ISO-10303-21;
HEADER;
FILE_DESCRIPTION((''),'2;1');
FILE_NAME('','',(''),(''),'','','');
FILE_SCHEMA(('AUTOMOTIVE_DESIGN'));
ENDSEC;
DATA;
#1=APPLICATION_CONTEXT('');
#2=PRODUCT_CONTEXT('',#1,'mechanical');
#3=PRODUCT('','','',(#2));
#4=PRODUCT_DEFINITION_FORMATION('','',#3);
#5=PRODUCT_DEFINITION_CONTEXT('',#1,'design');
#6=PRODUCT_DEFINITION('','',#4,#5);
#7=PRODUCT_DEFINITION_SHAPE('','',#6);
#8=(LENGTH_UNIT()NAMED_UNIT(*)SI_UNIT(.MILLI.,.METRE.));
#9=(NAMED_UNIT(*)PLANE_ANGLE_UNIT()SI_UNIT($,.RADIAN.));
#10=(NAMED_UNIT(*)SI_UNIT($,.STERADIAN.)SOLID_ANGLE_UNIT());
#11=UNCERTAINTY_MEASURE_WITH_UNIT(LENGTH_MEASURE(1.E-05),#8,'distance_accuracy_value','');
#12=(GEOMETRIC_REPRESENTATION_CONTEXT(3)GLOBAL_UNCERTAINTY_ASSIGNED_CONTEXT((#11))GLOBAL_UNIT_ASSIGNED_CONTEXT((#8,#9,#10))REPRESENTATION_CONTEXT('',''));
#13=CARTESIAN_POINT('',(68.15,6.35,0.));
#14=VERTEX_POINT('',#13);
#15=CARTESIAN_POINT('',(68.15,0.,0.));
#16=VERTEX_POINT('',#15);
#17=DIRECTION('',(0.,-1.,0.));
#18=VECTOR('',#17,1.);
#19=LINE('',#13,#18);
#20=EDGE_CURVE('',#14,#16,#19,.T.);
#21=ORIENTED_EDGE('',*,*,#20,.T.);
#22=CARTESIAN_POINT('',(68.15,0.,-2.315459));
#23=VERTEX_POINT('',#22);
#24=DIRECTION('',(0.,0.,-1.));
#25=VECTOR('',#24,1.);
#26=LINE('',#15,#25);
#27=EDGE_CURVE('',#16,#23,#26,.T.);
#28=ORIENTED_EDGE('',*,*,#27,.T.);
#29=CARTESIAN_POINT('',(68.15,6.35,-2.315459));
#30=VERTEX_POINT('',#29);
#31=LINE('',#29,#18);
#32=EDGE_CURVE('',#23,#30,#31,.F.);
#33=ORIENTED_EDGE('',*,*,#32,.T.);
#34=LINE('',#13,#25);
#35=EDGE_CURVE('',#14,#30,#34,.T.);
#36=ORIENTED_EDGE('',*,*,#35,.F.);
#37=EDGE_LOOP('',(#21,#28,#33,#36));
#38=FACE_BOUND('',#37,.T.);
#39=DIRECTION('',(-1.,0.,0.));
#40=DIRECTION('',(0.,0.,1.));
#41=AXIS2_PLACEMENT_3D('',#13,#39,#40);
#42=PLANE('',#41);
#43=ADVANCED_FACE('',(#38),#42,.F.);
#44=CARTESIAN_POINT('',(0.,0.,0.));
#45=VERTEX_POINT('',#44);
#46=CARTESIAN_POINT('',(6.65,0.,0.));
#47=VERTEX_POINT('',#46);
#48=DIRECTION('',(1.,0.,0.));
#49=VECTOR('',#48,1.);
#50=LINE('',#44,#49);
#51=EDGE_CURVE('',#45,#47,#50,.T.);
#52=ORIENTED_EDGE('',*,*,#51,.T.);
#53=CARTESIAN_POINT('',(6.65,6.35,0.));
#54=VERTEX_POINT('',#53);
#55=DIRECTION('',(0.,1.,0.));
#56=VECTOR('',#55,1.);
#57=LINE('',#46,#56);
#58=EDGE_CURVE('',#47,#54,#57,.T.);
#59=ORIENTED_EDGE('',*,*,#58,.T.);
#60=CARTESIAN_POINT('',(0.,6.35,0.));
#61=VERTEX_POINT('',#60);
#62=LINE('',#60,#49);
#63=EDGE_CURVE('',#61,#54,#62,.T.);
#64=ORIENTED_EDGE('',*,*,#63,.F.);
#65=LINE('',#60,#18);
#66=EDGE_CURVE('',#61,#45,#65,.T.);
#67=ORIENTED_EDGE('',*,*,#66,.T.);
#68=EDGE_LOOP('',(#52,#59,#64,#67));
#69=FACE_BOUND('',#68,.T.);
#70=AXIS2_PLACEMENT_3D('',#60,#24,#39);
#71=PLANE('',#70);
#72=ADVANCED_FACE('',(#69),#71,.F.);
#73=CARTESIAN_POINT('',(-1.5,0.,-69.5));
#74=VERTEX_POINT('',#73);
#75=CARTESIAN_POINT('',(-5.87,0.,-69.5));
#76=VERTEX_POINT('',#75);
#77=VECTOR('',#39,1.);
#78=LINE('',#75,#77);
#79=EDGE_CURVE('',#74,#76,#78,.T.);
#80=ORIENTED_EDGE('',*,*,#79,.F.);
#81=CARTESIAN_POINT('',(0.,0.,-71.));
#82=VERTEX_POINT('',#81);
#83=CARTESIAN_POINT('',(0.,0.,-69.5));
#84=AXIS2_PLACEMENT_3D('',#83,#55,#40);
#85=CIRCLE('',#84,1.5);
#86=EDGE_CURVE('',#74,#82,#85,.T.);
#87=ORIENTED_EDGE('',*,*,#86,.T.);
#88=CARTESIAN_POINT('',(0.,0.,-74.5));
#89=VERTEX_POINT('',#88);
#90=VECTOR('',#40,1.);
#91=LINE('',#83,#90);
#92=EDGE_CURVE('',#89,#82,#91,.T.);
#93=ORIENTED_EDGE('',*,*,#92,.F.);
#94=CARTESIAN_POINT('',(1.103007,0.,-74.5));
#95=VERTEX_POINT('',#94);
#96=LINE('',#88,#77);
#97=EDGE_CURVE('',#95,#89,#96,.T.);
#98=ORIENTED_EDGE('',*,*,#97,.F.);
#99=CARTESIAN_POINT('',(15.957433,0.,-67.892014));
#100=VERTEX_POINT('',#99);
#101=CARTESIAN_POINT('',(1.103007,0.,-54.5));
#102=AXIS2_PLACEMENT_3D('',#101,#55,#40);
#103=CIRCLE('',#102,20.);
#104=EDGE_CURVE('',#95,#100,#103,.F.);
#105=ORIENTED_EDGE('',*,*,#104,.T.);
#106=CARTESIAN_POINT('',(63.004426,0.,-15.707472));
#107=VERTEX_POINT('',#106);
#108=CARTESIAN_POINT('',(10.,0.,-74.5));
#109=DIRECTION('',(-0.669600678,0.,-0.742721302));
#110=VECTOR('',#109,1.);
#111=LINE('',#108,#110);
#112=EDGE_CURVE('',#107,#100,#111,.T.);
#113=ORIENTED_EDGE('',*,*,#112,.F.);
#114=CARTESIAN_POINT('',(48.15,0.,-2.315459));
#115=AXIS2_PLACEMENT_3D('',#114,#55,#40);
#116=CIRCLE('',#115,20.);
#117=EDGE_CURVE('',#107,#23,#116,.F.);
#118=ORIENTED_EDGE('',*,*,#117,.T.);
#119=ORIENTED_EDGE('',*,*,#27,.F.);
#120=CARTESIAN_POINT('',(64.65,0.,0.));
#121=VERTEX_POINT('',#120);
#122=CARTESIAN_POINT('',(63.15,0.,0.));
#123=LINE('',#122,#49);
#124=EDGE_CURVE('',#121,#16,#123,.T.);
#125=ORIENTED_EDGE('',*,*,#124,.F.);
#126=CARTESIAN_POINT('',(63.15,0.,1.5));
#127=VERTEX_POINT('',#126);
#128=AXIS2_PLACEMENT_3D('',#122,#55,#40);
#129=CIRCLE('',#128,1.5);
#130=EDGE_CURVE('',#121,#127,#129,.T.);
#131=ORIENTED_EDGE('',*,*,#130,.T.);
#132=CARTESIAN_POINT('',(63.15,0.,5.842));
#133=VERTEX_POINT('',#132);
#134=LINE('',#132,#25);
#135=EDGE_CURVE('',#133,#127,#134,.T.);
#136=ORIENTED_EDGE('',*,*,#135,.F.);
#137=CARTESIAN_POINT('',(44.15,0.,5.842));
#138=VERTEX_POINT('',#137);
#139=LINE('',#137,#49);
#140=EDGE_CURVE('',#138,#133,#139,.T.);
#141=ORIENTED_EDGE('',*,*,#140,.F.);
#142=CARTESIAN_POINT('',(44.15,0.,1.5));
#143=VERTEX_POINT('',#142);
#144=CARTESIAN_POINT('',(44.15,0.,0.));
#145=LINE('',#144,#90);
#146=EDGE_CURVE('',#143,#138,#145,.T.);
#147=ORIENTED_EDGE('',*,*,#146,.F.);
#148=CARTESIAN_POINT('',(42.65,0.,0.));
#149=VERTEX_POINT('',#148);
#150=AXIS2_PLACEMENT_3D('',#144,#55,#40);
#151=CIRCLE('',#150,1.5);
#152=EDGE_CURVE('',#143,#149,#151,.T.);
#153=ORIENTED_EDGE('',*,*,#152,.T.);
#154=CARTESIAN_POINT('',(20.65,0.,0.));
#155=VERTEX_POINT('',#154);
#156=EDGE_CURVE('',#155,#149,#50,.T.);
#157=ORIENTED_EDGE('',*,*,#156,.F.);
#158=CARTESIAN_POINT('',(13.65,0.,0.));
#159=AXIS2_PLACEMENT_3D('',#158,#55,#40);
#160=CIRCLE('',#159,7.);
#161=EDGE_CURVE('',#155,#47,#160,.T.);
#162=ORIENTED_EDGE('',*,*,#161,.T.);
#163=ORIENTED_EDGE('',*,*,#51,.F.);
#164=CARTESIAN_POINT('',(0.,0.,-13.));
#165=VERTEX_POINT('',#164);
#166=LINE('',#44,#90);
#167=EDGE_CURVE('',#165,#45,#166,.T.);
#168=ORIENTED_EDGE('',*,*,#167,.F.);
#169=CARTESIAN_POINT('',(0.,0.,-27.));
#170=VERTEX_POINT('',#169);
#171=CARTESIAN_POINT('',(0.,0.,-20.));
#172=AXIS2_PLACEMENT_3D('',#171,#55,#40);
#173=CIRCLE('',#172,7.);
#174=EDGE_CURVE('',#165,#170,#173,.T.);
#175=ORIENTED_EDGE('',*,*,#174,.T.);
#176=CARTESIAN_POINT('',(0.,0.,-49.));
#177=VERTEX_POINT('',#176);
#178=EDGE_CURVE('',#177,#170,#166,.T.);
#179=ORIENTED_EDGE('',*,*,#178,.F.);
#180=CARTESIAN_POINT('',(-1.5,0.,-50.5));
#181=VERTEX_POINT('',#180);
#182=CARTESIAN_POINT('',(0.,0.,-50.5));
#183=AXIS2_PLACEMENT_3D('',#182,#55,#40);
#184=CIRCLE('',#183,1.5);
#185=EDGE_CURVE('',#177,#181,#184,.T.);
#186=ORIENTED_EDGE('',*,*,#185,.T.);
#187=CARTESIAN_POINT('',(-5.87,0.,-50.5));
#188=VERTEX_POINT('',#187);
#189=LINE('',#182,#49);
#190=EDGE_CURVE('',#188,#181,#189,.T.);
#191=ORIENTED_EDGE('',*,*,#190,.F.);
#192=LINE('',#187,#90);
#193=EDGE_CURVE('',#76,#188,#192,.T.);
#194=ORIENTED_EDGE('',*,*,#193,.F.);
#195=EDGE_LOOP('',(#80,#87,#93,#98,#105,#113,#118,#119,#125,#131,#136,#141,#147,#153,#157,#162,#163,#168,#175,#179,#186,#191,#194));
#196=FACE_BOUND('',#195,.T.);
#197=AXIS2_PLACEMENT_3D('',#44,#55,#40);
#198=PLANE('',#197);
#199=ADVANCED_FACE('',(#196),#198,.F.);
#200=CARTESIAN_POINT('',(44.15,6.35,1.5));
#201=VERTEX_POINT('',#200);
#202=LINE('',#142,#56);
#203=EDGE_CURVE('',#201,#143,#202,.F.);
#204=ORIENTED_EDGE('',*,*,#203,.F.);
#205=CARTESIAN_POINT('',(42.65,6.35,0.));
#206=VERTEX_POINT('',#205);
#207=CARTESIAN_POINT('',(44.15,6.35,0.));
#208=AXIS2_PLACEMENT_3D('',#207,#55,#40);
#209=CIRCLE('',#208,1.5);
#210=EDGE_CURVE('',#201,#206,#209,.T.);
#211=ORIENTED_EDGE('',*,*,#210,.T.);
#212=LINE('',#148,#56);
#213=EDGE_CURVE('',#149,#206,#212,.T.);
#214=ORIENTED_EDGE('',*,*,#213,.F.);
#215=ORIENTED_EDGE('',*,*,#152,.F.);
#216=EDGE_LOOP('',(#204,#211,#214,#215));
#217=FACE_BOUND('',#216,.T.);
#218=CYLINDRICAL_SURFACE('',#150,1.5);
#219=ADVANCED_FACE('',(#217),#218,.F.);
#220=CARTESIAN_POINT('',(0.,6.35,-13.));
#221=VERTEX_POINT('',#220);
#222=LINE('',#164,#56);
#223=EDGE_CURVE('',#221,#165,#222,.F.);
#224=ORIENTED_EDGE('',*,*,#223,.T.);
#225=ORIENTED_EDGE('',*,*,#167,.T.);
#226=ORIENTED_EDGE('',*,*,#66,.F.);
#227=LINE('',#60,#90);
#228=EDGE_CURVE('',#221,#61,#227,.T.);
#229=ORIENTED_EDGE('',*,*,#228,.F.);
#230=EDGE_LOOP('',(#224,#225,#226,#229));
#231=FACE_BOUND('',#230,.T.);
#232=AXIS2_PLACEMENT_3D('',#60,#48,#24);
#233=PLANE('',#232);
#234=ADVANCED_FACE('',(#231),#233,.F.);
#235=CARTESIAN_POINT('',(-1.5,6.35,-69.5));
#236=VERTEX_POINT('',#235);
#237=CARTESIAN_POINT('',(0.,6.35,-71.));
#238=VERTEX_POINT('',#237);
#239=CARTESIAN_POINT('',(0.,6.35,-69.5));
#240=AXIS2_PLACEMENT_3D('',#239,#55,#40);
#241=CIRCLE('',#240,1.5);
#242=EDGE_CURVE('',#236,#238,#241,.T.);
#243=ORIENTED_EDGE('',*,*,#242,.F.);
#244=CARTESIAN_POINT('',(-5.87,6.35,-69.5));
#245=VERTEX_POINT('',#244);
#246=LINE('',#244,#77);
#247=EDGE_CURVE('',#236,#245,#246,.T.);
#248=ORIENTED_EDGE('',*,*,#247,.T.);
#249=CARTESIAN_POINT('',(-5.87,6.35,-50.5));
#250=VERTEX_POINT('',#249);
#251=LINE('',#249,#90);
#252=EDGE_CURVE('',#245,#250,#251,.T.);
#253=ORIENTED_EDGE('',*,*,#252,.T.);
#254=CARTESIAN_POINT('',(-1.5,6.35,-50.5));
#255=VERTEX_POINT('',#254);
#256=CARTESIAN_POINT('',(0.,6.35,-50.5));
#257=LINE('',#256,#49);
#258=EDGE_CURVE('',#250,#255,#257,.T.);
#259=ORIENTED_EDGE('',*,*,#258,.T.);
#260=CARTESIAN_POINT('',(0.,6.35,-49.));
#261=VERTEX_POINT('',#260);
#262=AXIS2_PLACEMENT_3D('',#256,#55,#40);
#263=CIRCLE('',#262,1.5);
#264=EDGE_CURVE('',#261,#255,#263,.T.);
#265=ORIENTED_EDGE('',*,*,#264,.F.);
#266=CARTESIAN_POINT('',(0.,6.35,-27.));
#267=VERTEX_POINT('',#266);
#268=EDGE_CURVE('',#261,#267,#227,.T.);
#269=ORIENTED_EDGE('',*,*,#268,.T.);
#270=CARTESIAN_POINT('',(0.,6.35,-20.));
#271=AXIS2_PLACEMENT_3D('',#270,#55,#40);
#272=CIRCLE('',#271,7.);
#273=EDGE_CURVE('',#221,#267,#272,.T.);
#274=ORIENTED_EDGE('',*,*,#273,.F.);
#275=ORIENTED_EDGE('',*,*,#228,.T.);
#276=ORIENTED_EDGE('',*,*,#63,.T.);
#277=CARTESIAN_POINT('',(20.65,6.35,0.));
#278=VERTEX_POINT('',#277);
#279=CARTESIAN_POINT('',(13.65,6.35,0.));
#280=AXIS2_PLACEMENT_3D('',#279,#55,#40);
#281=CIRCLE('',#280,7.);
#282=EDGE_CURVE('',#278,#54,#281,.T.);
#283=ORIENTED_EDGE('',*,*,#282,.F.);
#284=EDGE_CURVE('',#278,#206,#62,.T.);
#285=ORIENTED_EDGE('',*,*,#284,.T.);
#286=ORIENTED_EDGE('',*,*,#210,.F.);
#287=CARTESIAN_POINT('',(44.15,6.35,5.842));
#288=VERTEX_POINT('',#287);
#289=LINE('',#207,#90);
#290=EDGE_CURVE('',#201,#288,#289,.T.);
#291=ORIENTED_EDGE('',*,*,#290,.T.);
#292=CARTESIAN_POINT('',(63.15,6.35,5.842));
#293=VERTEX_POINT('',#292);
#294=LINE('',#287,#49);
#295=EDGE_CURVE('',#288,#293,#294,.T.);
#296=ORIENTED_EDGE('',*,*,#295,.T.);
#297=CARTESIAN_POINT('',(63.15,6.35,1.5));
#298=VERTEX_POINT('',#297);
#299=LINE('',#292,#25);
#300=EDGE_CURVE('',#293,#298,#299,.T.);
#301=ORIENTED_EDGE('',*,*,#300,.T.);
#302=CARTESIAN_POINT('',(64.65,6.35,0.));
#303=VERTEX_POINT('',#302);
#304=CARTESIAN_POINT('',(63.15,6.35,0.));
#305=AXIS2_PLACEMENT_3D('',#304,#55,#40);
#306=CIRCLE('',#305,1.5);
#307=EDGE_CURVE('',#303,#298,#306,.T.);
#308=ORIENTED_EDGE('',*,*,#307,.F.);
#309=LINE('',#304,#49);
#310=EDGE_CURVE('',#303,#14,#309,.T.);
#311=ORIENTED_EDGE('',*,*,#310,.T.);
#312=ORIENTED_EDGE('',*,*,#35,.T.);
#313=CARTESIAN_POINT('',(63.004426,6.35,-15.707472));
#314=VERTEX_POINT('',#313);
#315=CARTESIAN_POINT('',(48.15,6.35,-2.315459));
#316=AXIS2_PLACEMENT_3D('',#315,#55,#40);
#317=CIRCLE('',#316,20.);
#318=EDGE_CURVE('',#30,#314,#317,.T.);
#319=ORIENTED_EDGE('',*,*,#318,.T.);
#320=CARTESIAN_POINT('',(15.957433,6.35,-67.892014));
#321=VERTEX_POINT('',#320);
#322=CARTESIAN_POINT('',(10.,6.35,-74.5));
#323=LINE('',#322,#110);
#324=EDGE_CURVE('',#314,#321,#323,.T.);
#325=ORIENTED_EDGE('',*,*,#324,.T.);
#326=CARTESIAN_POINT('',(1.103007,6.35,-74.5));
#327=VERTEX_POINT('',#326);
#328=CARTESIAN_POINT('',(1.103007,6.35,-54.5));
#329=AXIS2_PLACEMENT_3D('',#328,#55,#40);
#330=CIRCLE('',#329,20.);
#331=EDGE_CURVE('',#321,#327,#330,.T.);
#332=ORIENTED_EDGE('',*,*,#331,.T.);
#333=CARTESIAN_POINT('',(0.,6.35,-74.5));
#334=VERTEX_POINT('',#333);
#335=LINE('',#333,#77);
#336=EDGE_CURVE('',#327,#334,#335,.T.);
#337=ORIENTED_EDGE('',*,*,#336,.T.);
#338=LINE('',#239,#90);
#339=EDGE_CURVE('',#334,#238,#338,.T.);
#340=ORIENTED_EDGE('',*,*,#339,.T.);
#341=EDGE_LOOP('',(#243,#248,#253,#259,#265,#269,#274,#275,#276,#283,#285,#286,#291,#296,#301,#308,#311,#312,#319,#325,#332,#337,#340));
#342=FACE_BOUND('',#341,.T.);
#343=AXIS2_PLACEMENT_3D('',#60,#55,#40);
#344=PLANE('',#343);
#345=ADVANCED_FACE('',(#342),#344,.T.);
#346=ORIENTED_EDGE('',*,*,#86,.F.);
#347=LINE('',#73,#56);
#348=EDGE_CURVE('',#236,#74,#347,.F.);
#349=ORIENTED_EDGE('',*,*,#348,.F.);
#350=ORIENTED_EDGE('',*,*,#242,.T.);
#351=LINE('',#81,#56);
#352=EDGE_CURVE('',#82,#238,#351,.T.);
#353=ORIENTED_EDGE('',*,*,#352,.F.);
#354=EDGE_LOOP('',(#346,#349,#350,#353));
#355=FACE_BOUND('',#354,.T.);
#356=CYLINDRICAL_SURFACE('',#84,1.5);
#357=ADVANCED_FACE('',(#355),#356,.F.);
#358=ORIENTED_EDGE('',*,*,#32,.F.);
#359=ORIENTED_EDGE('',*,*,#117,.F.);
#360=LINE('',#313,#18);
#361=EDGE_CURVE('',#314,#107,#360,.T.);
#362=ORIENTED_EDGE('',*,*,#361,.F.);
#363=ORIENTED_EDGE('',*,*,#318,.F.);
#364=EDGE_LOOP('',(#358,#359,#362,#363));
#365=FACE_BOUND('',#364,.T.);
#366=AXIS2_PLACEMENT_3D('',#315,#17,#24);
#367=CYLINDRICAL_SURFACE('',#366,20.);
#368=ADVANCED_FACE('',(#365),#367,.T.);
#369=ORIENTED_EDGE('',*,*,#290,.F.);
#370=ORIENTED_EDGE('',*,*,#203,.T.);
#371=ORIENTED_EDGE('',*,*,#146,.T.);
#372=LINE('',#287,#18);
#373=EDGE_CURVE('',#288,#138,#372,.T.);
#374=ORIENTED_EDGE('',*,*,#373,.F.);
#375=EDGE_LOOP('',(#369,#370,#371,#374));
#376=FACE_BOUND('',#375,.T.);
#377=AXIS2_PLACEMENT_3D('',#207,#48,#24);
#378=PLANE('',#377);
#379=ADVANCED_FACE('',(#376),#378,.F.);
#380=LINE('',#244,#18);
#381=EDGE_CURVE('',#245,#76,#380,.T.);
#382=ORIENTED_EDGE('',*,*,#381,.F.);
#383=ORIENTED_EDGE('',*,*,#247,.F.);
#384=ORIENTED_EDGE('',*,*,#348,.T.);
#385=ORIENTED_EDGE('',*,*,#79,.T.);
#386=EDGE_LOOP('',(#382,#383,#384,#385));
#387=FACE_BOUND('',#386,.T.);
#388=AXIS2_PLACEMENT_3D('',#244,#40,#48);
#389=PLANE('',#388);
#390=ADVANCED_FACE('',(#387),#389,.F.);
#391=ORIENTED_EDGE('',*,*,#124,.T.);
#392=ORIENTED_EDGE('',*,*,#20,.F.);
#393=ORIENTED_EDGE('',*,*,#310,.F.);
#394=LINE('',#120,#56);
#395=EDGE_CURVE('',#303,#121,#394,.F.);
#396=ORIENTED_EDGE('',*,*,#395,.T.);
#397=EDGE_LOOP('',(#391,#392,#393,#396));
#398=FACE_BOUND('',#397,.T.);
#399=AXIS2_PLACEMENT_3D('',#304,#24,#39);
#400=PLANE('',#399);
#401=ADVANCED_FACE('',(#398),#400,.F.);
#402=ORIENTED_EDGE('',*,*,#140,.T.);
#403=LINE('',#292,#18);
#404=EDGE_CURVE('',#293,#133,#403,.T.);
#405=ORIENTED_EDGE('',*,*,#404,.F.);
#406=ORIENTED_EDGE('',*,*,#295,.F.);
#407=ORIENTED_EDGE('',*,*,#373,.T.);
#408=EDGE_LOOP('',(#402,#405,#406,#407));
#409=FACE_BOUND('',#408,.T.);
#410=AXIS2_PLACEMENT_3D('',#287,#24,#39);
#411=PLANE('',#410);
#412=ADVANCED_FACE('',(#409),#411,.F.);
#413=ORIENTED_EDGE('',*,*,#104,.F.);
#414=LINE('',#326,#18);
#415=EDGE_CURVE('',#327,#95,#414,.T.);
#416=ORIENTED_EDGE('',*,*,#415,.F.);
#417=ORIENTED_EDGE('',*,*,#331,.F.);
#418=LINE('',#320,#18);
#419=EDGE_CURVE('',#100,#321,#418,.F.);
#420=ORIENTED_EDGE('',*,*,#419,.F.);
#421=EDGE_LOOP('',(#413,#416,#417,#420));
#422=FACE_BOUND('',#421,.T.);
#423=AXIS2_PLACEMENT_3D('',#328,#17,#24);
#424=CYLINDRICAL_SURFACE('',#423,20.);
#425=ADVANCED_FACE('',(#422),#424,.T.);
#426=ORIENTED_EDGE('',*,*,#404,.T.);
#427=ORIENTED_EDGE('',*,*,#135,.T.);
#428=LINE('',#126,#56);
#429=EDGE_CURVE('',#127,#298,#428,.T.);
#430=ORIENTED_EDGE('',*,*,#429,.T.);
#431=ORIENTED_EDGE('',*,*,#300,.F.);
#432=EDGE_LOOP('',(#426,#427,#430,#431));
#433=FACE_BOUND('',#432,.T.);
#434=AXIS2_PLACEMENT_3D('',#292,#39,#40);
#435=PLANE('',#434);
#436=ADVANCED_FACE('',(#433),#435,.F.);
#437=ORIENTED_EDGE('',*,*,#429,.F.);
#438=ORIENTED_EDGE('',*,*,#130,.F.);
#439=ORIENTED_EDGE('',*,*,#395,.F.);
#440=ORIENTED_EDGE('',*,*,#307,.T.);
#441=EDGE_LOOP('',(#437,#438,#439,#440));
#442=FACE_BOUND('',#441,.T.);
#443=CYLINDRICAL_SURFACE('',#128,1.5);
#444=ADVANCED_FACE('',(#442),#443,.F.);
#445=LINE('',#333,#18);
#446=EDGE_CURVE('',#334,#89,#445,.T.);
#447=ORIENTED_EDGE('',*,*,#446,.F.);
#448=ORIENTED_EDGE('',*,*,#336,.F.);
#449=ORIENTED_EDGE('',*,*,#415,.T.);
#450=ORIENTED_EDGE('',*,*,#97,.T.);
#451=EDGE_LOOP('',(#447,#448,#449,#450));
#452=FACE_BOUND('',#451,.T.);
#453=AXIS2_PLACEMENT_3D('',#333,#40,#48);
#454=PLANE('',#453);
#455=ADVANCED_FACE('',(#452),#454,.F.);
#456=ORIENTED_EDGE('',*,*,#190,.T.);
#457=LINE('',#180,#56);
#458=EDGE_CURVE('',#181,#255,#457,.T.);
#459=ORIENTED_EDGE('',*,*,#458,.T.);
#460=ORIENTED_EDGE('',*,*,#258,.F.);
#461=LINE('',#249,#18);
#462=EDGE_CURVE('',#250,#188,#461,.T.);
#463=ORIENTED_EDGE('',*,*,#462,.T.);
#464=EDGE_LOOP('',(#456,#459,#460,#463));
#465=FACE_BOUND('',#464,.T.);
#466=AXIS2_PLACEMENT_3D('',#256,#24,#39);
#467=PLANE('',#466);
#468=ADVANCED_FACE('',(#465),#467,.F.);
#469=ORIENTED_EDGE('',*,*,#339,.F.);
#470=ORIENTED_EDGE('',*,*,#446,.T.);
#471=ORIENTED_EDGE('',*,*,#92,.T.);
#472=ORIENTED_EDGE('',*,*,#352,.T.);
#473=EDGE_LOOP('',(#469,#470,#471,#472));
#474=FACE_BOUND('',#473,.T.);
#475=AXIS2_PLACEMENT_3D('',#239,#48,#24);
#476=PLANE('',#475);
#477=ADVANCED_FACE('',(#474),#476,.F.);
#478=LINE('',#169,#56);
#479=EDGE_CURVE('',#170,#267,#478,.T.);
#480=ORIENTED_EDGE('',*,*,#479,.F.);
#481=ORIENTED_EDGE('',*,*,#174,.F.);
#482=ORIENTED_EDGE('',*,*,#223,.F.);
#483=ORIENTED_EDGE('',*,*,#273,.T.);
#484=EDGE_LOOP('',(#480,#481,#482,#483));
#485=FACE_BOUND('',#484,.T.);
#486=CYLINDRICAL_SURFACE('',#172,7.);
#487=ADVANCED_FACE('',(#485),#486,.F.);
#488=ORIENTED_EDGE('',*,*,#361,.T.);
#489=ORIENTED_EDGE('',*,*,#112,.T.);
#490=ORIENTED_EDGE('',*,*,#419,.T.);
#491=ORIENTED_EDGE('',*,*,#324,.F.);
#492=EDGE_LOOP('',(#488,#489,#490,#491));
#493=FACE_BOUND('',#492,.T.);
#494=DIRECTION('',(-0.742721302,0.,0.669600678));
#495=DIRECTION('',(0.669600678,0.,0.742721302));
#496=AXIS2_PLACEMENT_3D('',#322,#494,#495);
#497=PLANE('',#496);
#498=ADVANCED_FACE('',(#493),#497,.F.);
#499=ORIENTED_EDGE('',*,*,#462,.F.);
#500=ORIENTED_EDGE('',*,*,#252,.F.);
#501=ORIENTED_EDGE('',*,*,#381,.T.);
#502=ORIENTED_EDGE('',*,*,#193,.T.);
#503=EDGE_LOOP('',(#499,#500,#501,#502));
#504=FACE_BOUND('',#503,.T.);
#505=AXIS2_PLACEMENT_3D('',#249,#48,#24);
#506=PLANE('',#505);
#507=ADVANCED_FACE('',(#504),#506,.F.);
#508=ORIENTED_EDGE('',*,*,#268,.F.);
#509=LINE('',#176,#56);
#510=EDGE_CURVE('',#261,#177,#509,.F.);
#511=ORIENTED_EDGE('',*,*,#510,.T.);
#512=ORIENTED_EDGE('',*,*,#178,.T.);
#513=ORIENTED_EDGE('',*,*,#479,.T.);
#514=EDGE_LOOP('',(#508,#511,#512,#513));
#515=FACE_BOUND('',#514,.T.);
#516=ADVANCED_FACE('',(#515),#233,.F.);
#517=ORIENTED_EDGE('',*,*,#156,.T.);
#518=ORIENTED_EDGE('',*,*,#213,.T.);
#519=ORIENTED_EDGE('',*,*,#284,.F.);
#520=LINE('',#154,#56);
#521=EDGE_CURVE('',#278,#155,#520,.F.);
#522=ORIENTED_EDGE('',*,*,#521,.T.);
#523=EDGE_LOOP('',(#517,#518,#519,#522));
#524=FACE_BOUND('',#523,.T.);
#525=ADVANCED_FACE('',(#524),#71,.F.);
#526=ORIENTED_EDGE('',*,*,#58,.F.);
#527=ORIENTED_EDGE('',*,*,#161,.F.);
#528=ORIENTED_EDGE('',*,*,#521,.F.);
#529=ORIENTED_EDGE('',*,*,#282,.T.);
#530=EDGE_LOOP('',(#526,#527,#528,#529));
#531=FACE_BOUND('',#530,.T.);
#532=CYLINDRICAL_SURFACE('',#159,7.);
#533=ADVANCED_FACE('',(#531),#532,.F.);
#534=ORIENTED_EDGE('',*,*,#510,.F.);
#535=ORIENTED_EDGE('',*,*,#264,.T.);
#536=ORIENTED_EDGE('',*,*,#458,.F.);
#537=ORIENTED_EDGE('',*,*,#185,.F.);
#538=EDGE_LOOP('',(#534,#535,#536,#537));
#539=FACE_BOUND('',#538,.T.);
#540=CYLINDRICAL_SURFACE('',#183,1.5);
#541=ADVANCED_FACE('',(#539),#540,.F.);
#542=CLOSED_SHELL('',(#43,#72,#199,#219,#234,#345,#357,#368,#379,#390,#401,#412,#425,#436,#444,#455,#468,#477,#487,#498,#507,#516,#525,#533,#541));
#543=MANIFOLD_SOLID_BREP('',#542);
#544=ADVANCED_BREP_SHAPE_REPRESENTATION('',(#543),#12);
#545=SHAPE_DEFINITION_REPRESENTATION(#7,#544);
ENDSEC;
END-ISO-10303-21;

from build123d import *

# Parameters (mm, degrees)
BOSS_EXTRUDE1_DEPTH = 6.35
SKETCH3_R           = 1.5
SKETCH3_R_2         = 7
CUT_EXTRUDE1_DEPTH  = 7.35
FILLET1_R           = 20


with BuildPart() as part:
    # Sketch2 → Boss-Extrude1 (new body)
    with BuildSketch(Plane(origin=(0, 0, 0), x_dir=(1, 0, 0), z_dir=(0, 1, 0))):
        Polygon((0, 0), (44.15, 0), (44.15, -5.842), (63.15, -5.842), (63.15, 0), (68.15, 0), (68.15, 10), (10, 74.5), (0, 74.5), (0, 69.5), (-5.87, 69.5), (-5.87, 50.5), (0, 50.5), align=None)
    extrude(amount=BOSS_EXTRUDE1_DEPTH)

    # Sketch3 → Cut-Extrude1 (cut, through all)
    with BuildSketch(Plane(origin=(0, 6.35, 0), x_dir=(1, 0, 0), z_dir=(0, 1, 0))):
        with Locations((0, 69.5)):
            Circle(SKETCH3_R)
        with Locations((0, 50.5)):
            Circle(SKETCH3_R)
        with Locations((44.15, 0)):
            Circle(SKETCH3_R)
        with Locations((63.15, 0)):
            Circle(SKETCH3_R)
        with Locations((0, 20)):
            Circle(SKETCH3_R_2)
        with Locations((13.65, 0)):
            Circle(SKETCH3_R_2)
    extrude(amount=-CUT_EXTRUDE1_DEPTH, mode=Mode.SUBTRACT)

    # Fillet1
    fillet1_edges = [part.edges().sort_by_distance(p)[0] for p in [
        (10, 3.175, -74.5),
        (68.15, 3.175, -10),
    ]]
    fillet(fillet1_edges, radius=FILLET1_R)


solid = part.part
